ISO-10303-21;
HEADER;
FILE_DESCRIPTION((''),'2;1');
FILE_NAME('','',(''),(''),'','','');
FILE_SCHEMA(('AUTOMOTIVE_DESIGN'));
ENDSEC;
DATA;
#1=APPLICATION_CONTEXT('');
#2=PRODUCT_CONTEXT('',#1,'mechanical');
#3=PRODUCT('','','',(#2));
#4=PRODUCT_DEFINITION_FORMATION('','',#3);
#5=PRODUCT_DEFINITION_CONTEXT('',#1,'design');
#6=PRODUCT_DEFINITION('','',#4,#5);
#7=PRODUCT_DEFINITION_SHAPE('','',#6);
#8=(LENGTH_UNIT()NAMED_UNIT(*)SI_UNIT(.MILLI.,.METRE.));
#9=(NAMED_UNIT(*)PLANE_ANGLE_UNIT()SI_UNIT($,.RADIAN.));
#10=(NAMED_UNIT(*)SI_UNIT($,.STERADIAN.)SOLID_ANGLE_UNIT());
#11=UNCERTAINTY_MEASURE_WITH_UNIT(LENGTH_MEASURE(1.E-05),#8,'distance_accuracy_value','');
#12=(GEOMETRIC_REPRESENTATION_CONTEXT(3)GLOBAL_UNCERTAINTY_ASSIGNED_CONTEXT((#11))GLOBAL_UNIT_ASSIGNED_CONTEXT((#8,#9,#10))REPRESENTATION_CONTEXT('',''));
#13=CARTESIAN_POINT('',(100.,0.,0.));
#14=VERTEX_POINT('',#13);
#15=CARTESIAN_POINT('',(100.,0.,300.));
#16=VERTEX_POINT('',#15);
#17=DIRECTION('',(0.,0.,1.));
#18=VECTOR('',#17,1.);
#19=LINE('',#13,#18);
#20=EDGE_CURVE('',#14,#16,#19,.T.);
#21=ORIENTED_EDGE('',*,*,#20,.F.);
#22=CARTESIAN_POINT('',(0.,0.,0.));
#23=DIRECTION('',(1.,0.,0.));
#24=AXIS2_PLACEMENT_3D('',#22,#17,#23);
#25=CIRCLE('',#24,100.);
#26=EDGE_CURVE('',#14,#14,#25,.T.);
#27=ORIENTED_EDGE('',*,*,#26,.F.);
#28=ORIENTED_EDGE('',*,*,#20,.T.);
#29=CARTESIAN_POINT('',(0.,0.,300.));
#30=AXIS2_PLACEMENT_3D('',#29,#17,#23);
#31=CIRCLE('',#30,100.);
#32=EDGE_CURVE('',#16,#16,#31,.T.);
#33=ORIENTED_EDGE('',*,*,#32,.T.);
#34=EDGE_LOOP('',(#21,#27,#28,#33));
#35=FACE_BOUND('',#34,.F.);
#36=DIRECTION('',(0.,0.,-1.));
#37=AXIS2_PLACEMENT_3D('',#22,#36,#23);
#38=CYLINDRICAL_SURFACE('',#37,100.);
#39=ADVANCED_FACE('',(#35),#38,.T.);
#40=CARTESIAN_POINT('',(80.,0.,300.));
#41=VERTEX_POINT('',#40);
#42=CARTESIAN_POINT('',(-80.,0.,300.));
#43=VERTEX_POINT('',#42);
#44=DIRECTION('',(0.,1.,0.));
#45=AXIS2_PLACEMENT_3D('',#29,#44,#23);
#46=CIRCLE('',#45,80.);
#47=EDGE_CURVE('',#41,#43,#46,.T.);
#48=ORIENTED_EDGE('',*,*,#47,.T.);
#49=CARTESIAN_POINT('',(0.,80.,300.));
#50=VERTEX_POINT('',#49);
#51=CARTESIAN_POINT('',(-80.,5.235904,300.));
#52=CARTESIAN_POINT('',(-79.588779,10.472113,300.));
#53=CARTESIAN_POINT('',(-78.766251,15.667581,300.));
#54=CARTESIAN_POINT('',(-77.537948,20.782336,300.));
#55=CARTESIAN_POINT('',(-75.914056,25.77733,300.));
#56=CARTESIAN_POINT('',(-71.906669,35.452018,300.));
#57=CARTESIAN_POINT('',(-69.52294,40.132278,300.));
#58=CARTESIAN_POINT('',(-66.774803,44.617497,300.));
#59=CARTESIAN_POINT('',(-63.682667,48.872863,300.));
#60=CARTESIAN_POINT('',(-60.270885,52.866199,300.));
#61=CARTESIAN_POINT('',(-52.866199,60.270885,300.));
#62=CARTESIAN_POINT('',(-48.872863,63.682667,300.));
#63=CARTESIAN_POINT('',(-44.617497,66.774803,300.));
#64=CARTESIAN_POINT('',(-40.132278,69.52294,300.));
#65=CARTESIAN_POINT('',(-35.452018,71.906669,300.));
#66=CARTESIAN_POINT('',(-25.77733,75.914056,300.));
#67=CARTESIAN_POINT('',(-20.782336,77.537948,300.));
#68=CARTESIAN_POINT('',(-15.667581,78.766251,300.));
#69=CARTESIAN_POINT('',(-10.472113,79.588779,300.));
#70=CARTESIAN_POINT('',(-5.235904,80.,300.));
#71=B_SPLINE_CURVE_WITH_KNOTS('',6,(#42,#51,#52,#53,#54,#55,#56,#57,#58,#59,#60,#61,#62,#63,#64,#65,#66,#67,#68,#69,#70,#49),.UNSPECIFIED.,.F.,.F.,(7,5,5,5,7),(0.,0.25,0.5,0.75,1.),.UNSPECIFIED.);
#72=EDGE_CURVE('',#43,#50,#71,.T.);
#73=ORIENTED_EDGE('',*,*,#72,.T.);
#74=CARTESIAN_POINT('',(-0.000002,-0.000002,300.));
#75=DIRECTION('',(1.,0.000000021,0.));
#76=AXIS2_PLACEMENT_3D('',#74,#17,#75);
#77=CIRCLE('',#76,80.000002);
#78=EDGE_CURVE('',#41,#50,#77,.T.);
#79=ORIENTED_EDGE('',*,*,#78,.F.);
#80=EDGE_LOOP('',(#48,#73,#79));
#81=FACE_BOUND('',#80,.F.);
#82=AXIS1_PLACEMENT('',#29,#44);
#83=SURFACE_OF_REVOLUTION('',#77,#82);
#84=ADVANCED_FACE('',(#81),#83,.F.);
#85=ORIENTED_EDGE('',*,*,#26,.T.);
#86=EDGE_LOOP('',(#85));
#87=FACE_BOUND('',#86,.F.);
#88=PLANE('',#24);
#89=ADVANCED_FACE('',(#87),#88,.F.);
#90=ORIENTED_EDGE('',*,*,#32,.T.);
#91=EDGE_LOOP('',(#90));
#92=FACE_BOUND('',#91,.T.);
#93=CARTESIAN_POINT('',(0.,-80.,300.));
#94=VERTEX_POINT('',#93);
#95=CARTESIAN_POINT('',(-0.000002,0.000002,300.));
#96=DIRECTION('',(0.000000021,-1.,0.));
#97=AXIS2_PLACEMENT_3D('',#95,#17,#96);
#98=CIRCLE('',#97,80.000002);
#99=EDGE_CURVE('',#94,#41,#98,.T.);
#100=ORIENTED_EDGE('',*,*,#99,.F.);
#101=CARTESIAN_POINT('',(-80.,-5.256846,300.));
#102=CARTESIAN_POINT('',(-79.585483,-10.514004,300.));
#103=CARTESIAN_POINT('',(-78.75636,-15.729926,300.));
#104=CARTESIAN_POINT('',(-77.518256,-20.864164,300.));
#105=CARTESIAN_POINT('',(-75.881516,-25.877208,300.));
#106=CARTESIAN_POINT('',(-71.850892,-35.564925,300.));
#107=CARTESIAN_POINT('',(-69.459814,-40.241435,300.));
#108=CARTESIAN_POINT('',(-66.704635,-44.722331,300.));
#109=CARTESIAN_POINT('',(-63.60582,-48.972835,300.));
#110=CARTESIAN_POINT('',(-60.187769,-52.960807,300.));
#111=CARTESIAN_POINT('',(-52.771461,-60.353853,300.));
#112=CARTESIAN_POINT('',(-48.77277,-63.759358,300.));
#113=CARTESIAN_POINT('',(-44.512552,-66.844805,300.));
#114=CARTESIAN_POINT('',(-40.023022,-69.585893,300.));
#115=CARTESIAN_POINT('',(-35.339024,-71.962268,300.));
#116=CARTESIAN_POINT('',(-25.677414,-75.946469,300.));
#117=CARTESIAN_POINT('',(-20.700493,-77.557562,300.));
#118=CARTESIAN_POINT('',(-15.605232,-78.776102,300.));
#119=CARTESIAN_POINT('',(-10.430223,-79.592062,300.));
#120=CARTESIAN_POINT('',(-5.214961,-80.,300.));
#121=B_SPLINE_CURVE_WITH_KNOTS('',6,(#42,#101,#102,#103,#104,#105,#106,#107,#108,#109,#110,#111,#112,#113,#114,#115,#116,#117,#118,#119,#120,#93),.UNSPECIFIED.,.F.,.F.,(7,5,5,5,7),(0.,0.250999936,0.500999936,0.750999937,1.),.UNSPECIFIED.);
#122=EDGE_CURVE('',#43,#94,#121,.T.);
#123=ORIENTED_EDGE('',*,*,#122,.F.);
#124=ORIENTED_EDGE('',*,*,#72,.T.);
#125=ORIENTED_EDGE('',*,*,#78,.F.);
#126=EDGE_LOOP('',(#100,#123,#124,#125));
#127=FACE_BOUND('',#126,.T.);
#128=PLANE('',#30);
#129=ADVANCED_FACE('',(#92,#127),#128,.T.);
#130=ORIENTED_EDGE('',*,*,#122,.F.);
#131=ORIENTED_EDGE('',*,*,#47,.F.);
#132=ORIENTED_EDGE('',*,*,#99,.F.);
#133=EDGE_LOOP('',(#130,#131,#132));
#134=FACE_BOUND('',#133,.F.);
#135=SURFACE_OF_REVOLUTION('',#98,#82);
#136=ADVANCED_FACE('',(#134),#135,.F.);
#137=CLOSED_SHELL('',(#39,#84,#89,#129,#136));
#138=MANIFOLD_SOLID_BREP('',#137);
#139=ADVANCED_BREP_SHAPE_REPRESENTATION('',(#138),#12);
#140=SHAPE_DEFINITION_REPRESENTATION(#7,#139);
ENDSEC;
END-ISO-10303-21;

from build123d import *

# Parameters (mm, degrees)
F0_R     = 100
F1_DEPTH = 300


with BuildPart() as f1:
    # F0 (on Top) → F1 (new body)
    with BuildSketch(Plane.XY):
        Circle(F0_R)
    extrude(amount=F1_DEPTH)

    # F3 (on face) → F4 (revolve, cut)
    with BuildSketch(Plane.XY.offset(300)):
        with BuildLine():
            ThreePointArc((0, -80), (56.568542, -56.568542), (80, 0))
            ThreePointArc((80, 0), (56.568542, 56.568542), (0, 80))
            Line((0, 80), (0, -80))
        make_face()
    revolve(axis=Axis((0, 0, 300), (0, 1, 0)), mode=Mode.SUBTRACT)


solid = f1.part
